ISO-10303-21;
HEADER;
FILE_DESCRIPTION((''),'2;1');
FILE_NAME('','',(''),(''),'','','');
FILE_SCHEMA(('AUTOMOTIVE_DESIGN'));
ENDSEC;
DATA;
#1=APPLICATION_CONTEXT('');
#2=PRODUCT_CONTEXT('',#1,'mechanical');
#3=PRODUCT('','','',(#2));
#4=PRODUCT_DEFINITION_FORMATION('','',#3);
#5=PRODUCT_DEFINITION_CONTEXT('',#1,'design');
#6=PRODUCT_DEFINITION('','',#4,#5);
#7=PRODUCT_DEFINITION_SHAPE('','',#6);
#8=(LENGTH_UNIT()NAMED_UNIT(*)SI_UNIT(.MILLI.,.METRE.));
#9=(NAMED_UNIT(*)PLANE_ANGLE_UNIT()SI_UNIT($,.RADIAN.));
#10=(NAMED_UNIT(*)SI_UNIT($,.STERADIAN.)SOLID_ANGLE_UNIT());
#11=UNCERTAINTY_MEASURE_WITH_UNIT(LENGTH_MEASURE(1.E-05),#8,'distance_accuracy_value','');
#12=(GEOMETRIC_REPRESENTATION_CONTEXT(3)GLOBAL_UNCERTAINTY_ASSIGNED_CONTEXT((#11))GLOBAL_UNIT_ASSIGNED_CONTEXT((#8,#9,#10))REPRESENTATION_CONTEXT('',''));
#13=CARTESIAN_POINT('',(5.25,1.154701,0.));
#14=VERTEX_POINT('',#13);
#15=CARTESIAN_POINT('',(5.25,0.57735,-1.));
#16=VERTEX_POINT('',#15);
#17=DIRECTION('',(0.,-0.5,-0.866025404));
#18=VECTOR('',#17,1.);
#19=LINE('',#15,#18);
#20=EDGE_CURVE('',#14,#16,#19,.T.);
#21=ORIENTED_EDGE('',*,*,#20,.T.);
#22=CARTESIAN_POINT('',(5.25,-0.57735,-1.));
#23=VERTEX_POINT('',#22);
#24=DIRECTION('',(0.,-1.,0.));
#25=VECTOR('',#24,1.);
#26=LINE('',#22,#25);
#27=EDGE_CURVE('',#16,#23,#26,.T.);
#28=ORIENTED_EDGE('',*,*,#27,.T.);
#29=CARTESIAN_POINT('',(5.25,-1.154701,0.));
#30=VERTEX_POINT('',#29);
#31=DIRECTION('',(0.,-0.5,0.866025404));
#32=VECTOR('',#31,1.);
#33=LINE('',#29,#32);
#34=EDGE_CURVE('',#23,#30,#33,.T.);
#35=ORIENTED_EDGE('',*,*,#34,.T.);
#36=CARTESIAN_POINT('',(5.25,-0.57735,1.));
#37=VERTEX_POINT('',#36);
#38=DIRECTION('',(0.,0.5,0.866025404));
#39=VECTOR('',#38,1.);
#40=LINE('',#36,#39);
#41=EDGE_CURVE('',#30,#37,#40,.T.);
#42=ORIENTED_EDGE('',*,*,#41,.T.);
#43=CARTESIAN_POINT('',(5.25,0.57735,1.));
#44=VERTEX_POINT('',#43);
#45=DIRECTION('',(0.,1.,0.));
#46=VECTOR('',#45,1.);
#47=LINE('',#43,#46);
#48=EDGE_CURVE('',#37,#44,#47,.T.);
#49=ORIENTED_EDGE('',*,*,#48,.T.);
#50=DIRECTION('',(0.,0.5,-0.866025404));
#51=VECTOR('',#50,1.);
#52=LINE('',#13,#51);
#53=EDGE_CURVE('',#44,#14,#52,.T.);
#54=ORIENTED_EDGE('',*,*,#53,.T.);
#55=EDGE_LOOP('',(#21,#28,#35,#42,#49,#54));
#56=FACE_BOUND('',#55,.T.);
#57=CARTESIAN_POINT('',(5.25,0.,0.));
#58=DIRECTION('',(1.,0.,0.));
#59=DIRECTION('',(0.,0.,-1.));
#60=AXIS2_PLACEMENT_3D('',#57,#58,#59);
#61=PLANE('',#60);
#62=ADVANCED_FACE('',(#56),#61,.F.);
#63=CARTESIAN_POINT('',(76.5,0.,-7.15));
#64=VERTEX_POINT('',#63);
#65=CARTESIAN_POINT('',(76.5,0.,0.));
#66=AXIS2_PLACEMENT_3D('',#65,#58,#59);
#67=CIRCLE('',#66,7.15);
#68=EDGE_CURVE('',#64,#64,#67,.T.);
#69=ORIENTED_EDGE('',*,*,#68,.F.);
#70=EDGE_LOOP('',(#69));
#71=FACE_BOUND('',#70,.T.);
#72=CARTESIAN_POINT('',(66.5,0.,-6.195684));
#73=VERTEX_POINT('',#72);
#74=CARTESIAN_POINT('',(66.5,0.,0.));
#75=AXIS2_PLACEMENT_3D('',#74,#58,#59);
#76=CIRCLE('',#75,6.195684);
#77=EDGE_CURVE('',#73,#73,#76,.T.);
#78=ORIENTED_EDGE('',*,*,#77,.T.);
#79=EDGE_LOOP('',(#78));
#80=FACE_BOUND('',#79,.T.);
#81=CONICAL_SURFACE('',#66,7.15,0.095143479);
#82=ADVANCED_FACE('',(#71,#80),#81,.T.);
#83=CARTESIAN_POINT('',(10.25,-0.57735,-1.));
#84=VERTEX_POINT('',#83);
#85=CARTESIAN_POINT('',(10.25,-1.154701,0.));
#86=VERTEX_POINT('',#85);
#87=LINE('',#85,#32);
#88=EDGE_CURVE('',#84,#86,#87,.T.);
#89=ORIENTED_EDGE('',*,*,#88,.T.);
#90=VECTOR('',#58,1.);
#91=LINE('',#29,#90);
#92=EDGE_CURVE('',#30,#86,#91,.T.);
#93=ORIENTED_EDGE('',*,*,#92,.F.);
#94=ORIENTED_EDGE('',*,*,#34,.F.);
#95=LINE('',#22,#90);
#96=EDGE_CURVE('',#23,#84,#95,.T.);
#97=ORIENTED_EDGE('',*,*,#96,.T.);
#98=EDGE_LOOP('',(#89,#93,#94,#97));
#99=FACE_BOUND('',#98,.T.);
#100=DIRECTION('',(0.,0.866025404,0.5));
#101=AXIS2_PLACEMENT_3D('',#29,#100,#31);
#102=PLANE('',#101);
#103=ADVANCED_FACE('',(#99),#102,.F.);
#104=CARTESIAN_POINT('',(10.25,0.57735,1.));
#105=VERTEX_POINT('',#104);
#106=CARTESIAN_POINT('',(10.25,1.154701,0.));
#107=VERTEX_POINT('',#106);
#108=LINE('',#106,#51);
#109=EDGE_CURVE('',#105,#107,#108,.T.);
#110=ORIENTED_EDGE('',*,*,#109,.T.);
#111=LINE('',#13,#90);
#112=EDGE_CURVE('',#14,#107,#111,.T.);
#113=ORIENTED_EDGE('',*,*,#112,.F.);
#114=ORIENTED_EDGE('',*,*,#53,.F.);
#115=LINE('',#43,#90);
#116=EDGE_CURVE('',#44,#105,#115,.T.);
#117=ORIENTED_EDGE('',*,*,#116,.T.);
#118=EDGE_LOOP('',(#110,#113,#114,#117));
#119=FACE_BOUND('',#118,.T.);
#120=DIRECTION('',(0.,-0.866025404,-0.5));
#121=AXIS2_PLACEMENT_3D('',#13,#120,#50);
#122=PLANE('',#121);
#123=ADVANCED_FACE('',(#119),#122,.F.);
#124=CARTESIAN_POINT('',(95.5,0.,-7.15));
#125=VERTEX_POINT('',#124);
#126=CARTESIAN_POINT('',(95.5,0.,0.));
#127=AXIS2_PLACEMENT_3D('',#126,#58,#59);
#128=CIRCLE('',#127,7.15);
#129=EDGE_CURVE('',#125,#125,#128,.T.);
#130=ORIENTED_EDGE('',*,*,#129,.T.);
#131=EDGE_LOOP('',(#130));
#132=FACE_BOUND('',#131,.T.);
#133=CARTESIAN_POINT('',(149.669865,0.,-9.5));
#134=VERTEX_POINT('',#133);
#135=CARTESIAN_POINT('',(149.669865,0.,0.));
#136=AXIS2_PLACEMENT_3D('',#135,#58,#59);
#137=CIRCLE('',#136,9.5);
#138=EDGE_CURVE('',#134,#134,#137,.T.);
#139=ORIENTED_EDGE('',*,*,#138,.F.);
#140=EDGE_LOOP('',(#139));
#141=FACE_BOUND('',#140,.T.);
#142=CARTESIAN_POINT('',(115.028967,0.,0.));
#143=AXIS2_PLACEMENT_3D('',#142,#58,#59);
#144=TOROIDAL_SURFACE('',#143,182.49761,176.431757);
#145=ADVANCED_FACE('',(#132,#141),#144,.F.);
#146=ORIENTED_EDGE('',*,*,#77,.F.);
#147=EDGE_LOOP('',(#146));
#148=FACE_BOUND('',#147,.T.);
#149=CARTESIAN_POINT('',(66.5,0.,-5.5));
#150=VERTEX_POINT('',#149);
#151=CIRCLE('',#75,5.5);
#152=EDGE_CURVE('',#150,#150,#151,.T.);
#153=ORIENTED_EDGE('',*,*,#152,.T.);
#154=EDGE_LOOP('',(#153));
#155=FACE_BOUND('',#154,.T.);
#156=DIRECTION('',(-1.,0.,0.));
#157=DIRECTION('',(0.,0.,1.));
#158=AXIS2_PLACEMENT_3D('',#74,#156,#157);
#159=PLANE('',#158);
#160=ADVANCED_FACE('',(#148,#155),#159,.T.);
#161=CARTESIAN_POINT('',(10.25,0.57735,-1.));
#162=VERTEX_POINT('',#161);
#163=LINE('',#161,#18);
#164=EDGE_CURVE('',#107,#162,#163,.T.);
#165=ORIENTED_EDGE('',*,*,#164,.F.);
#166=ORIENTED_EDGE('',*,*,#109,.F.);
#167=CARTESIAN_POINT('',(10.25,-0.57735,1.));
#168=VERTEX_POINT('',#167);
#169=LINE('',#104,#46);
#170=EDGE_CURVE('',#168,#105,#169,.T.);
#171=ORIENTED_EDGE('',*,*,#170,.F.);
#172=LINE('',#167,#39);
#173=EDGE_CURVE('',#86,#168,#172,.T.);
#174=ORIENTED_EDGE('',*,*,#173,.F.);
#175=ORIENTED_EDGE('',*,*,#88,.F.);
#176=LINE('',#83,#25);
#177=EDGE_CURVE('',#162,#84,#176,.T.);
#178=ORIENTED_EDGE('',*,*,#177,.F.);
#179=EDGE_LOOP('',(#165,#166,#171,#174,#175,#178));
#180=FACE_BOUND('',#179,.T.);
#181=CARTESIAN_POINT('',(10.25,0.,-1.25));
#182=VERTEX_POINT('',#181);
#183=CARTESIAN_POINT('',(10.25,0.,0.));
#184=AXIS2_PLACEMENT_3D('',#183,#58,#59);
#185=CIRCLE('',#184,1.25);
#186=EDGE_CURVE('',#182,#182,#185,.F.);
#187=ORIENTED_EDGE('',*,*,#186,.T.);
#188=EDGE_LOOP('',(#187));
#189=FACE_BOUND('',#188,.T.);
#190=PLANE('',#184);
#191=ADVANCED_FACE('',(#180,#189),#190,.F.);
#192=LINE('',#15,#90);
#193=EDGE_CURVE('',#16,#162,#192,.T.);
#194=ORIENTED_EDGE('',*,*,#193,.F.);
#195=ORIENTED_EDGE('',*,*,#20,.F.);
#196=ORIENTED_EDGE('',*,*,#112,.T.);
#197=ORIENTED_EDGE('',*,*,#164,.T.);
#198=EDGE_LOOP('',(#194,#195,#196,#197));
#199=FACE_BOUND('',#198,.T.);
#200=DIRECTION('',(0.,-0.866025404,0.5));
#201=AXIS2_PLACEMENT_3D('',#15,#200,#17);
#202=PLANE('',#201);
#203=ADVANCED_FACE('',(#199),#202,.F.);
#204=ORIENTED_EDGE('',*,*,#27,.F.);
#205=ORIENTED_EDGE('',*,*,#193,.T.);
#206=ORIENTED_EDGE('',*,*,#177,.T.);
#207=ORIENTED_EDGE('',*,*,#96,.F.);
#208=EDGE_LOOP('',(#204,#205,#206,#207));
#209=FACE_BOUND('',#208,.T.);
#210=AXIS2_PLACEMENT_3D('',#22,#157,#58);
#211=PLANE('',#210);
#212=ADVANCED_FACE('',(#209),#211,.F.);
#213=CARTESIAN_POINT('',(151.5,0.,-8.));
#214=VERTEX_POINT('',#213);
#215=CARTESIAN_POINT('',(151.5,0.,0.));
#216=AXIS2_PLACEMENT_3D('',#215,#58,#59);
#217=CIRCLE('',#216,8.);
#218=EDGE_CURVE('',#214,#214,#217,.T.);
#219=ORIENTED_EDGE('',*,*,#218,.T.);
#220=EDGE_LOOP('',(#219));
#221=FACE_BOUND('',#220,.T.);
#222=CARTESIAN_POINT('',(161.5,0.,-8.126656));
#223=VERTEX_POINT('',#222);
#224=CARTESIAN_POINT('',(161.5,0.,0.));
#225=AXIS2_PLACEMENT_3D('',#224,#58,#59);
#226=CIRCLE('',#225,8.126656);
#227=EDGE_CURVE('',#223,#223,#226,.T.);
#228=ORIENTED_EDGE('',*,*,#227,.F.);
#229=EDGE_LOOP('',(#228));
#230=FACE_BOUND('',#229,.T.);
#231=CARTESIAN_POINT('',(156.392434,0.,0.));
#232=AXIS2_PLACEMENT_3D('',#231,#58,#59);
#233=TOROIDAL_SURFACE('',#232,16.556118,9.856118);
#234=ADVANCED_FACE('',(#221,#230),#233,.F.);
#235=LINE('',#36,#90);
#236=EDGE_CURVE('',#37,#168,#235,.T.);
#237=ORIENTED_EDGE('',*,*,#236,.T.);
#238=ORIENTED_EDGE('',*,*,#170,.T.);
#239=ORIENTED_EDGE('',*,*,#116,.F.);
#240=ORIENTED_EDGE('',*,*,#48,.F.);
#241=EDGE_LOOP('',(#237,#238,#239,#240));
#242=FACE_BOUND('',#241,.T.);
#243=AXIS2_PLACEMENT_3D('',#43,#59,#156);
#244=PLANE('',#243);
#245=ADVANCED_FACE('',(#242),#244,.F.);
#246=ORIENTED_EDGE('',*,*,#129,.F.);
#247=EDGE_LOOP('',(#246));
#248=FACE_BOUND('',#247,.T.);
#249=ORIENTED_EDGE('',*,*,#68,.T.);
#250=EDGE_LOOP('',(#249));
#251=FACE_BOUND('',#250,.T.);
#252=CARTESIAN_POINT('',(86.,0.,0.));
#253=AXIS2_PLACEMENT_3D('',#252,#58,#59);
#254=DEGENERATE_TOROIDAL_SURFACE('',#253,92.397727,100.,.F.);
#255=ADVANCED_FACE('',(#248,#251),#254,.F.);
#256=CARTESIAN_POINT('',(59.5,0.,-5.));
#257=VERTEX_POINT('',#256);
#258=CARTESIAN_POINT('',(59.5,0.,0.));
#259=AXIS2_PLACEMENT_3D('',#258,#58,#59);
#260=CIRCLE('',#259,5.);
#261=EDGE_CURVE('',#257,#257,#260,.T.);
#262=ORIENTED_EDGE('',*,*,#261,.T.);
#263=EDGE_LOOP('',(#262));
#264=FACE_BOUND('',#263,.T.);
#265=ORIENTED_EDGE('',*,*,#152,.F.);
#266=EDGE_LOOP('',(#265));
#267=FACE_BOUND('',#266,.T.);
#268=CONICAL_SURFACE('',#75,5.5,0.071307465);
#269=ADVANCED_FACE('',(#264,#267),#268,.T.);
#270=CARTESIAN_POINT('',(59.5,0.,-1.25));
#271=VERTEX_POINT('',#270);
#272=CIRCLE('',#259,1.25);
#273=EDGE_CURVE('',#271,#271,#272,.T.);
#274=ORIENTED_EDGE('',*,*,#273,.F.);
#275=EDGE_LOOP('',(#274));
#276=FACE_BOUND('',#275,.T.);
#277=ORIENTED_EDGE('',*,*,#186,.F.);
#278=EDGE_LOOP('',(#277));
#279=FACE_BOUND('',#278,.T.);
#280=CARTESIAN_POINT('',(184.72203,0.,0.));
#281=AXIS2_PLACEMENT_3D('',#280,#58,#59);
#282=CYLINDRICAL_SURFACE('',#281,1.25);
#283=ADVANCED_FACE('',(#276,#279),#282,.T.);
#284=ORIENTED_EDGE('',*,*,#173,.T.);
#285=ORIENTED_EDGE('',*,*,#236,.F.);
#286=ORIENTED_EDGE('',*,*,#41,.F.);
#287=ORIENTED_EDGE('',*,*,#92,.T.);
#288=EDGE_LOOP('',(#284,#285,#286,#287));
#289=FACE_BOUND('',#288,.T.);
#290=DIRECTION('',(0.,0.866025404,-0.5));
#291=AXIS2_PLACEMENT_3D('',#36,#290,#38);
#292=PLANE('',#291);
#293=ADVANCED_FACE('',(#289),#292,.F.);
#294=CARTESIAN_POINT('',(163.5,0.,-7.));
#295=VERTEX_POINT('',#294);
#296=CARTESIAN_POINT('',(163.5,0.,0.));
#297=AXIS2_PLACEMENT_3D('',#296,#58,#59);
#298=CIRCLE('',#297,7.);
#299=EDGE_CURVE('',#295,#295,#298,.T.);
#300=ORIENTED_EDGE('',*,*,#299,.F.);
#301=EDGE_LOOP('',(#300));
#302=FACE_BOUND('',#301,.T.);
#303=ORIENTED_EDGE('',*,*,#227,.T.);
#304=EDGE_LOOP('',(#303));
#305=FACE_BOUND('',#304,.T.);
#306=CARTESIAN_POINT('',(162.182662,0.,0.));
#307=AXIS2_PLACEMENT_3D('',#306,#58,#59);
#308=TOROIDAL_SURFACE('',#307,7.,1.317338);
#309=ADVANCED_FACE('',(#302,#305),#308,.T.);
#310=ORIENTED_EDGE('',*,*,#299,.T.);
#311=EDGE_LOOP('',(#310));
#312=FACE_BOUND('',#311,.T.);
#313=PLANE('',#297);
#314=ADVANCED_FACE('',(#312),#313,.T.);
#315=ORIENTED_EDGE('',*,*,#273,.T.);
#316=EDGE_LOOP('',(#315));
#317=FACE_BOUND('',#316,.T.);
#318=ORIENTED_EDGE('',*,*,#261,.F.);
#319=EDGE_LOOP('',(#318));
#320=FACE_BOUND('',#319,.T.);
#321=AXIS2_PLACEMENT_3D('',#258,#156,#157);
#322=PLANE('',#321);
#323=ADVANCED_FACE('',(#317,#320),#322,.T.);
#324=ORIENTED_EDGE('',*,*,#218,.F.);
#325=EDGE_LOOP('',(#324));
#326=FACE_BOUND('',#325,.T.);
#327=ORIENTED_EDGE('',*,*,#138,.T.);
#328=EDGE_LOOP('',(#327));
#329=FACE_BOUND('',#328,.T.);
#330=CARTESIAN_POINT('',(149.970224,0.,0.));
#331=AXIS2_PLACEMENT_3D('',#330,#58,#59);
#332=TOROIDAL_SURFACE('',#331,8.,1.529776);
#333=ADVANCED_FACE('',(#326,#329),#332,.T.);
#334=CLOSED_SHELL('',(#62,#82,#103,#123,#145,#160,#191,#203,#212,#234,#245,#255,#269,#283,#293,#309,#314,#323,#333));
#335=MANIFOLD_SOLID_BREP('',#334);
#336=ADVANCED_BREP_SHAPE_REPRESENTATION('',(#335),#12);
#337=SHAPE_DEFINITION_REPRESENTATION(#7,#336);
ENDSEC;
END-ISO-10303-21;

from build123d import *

# Parameters (mm, degrees)
SKETCH1_W           = 54.5
SKETCH1_H           = 1.25
HEXAGONALHEAD_DEPTH = 5.25
BOSS_EXTRUDE1_DEPTH = 5


with BuildPart() as part:
    # Sketch1 → AluminiumPart (revolve)
    with BuildSketch(Plane.XY):
        with Locations((32.25, 0.625)):
            Rectangle(SKETCH1_W, SKETCH1_H)
    revolve(axis=Axis((184.722030444, 0, 0), (-1, 0, 0)))

    # Sketch2 → HexagonalHead (cut)
    with BuildSketch(Plane.ZY.offset(-5)):
        Polygon((-2.8, 1.616580754), (0, 3.233161507), (2.8, 1.616580754), (2.8, -1.616580754), (0, -3.233161507), (-2.8, -1.616580754), align=None)
    extrude(amount=-HEXAGONALHEAD_DEPTH, mode=Mode.SUBTRACT)

    # Sketch4 → FirstGreenPart (revolve)
    with BuildSketch(Plane.XY):
        Polygon((59.5, 0), (59.5, 5), (66.5, 5.5), (66.5, 0), align=None)
    revolve(axis=Axis((184.722030444, 0, 0), (-1, 0, 0)))

    # Sketch5 → FirstBlackPart (revolve)
    with BuildSketch(Plane.XY):
        with BuildLine():
            Line((66.5, 6.195683888), (76.5, 7.15))
            ThreePointArc((76.5, 7.15), (86, 7.602272753), (95.5, 7.15))
            Line((95.5, 7.15), (95.5, 0))
            Line((95.5, 0), (66.5, 0))
            Line((66.5, 0), (66.5, 6.195683888))
        make_face()
    revolve(axis=Axis((184.722030444, 0, 0), (-1, 0, 0)))

    # Sketch6 → SecondGreenPart (revolve)
    with BuildSketch(Plane.XY):
        with BuildLine():
            Line((151.5, 8), (151.5, 0))
            Line((151.5, 0), (95.5, 0))
            Line((95.5, 0), (95.5, 7.15))
            ThreePointArc((95.5, 7.15), (122.675746685, 6.231641521), (149.66986499, 9.5))
            ThreePointArc((149.66986499, 9.5), (150.939948886, 9.183151951), (151.5, 8))
        make_face()
    revolve(axis=Axis((184.722030444, 0, 0), (-1, 0, 0)))

    # Sketch7 → LastBlackPart (revolve)
    with BuildSketch(Plane.XY):
        with BuildLine():
            Line((151.5, 0), (151.5, 8))
            ThreePointArc((151.5, 8), (156.517257353, 6.700790451), (161.5, 8.126655981))
            ThreePointArc((161.5, 8.126655981), (162.829223328, 8.147753643), (163.5, 7))
            Line((163.5, 7), (163.5, 0))
            Line((163.5, 0), (151.5, 0))
        make_face()
    revolve(axis=Axis((184.722030444, 0, 0), (-1, 0, 0)))

    # Sketch8 → Boss-Extrude1 (add)
    with BuildSketch(Plane.ZY.offset(-10.25)):
        Polygon((-1, 0.577350269), (0, 1.154700538), (1, 0.577350269), (1, -0.577350269), (0, -1.154700538), (-1, -0.577350269), align=None)
    extrude(amount=BOSS_EXTRUDE1_DEPTH)


solid = part.part
